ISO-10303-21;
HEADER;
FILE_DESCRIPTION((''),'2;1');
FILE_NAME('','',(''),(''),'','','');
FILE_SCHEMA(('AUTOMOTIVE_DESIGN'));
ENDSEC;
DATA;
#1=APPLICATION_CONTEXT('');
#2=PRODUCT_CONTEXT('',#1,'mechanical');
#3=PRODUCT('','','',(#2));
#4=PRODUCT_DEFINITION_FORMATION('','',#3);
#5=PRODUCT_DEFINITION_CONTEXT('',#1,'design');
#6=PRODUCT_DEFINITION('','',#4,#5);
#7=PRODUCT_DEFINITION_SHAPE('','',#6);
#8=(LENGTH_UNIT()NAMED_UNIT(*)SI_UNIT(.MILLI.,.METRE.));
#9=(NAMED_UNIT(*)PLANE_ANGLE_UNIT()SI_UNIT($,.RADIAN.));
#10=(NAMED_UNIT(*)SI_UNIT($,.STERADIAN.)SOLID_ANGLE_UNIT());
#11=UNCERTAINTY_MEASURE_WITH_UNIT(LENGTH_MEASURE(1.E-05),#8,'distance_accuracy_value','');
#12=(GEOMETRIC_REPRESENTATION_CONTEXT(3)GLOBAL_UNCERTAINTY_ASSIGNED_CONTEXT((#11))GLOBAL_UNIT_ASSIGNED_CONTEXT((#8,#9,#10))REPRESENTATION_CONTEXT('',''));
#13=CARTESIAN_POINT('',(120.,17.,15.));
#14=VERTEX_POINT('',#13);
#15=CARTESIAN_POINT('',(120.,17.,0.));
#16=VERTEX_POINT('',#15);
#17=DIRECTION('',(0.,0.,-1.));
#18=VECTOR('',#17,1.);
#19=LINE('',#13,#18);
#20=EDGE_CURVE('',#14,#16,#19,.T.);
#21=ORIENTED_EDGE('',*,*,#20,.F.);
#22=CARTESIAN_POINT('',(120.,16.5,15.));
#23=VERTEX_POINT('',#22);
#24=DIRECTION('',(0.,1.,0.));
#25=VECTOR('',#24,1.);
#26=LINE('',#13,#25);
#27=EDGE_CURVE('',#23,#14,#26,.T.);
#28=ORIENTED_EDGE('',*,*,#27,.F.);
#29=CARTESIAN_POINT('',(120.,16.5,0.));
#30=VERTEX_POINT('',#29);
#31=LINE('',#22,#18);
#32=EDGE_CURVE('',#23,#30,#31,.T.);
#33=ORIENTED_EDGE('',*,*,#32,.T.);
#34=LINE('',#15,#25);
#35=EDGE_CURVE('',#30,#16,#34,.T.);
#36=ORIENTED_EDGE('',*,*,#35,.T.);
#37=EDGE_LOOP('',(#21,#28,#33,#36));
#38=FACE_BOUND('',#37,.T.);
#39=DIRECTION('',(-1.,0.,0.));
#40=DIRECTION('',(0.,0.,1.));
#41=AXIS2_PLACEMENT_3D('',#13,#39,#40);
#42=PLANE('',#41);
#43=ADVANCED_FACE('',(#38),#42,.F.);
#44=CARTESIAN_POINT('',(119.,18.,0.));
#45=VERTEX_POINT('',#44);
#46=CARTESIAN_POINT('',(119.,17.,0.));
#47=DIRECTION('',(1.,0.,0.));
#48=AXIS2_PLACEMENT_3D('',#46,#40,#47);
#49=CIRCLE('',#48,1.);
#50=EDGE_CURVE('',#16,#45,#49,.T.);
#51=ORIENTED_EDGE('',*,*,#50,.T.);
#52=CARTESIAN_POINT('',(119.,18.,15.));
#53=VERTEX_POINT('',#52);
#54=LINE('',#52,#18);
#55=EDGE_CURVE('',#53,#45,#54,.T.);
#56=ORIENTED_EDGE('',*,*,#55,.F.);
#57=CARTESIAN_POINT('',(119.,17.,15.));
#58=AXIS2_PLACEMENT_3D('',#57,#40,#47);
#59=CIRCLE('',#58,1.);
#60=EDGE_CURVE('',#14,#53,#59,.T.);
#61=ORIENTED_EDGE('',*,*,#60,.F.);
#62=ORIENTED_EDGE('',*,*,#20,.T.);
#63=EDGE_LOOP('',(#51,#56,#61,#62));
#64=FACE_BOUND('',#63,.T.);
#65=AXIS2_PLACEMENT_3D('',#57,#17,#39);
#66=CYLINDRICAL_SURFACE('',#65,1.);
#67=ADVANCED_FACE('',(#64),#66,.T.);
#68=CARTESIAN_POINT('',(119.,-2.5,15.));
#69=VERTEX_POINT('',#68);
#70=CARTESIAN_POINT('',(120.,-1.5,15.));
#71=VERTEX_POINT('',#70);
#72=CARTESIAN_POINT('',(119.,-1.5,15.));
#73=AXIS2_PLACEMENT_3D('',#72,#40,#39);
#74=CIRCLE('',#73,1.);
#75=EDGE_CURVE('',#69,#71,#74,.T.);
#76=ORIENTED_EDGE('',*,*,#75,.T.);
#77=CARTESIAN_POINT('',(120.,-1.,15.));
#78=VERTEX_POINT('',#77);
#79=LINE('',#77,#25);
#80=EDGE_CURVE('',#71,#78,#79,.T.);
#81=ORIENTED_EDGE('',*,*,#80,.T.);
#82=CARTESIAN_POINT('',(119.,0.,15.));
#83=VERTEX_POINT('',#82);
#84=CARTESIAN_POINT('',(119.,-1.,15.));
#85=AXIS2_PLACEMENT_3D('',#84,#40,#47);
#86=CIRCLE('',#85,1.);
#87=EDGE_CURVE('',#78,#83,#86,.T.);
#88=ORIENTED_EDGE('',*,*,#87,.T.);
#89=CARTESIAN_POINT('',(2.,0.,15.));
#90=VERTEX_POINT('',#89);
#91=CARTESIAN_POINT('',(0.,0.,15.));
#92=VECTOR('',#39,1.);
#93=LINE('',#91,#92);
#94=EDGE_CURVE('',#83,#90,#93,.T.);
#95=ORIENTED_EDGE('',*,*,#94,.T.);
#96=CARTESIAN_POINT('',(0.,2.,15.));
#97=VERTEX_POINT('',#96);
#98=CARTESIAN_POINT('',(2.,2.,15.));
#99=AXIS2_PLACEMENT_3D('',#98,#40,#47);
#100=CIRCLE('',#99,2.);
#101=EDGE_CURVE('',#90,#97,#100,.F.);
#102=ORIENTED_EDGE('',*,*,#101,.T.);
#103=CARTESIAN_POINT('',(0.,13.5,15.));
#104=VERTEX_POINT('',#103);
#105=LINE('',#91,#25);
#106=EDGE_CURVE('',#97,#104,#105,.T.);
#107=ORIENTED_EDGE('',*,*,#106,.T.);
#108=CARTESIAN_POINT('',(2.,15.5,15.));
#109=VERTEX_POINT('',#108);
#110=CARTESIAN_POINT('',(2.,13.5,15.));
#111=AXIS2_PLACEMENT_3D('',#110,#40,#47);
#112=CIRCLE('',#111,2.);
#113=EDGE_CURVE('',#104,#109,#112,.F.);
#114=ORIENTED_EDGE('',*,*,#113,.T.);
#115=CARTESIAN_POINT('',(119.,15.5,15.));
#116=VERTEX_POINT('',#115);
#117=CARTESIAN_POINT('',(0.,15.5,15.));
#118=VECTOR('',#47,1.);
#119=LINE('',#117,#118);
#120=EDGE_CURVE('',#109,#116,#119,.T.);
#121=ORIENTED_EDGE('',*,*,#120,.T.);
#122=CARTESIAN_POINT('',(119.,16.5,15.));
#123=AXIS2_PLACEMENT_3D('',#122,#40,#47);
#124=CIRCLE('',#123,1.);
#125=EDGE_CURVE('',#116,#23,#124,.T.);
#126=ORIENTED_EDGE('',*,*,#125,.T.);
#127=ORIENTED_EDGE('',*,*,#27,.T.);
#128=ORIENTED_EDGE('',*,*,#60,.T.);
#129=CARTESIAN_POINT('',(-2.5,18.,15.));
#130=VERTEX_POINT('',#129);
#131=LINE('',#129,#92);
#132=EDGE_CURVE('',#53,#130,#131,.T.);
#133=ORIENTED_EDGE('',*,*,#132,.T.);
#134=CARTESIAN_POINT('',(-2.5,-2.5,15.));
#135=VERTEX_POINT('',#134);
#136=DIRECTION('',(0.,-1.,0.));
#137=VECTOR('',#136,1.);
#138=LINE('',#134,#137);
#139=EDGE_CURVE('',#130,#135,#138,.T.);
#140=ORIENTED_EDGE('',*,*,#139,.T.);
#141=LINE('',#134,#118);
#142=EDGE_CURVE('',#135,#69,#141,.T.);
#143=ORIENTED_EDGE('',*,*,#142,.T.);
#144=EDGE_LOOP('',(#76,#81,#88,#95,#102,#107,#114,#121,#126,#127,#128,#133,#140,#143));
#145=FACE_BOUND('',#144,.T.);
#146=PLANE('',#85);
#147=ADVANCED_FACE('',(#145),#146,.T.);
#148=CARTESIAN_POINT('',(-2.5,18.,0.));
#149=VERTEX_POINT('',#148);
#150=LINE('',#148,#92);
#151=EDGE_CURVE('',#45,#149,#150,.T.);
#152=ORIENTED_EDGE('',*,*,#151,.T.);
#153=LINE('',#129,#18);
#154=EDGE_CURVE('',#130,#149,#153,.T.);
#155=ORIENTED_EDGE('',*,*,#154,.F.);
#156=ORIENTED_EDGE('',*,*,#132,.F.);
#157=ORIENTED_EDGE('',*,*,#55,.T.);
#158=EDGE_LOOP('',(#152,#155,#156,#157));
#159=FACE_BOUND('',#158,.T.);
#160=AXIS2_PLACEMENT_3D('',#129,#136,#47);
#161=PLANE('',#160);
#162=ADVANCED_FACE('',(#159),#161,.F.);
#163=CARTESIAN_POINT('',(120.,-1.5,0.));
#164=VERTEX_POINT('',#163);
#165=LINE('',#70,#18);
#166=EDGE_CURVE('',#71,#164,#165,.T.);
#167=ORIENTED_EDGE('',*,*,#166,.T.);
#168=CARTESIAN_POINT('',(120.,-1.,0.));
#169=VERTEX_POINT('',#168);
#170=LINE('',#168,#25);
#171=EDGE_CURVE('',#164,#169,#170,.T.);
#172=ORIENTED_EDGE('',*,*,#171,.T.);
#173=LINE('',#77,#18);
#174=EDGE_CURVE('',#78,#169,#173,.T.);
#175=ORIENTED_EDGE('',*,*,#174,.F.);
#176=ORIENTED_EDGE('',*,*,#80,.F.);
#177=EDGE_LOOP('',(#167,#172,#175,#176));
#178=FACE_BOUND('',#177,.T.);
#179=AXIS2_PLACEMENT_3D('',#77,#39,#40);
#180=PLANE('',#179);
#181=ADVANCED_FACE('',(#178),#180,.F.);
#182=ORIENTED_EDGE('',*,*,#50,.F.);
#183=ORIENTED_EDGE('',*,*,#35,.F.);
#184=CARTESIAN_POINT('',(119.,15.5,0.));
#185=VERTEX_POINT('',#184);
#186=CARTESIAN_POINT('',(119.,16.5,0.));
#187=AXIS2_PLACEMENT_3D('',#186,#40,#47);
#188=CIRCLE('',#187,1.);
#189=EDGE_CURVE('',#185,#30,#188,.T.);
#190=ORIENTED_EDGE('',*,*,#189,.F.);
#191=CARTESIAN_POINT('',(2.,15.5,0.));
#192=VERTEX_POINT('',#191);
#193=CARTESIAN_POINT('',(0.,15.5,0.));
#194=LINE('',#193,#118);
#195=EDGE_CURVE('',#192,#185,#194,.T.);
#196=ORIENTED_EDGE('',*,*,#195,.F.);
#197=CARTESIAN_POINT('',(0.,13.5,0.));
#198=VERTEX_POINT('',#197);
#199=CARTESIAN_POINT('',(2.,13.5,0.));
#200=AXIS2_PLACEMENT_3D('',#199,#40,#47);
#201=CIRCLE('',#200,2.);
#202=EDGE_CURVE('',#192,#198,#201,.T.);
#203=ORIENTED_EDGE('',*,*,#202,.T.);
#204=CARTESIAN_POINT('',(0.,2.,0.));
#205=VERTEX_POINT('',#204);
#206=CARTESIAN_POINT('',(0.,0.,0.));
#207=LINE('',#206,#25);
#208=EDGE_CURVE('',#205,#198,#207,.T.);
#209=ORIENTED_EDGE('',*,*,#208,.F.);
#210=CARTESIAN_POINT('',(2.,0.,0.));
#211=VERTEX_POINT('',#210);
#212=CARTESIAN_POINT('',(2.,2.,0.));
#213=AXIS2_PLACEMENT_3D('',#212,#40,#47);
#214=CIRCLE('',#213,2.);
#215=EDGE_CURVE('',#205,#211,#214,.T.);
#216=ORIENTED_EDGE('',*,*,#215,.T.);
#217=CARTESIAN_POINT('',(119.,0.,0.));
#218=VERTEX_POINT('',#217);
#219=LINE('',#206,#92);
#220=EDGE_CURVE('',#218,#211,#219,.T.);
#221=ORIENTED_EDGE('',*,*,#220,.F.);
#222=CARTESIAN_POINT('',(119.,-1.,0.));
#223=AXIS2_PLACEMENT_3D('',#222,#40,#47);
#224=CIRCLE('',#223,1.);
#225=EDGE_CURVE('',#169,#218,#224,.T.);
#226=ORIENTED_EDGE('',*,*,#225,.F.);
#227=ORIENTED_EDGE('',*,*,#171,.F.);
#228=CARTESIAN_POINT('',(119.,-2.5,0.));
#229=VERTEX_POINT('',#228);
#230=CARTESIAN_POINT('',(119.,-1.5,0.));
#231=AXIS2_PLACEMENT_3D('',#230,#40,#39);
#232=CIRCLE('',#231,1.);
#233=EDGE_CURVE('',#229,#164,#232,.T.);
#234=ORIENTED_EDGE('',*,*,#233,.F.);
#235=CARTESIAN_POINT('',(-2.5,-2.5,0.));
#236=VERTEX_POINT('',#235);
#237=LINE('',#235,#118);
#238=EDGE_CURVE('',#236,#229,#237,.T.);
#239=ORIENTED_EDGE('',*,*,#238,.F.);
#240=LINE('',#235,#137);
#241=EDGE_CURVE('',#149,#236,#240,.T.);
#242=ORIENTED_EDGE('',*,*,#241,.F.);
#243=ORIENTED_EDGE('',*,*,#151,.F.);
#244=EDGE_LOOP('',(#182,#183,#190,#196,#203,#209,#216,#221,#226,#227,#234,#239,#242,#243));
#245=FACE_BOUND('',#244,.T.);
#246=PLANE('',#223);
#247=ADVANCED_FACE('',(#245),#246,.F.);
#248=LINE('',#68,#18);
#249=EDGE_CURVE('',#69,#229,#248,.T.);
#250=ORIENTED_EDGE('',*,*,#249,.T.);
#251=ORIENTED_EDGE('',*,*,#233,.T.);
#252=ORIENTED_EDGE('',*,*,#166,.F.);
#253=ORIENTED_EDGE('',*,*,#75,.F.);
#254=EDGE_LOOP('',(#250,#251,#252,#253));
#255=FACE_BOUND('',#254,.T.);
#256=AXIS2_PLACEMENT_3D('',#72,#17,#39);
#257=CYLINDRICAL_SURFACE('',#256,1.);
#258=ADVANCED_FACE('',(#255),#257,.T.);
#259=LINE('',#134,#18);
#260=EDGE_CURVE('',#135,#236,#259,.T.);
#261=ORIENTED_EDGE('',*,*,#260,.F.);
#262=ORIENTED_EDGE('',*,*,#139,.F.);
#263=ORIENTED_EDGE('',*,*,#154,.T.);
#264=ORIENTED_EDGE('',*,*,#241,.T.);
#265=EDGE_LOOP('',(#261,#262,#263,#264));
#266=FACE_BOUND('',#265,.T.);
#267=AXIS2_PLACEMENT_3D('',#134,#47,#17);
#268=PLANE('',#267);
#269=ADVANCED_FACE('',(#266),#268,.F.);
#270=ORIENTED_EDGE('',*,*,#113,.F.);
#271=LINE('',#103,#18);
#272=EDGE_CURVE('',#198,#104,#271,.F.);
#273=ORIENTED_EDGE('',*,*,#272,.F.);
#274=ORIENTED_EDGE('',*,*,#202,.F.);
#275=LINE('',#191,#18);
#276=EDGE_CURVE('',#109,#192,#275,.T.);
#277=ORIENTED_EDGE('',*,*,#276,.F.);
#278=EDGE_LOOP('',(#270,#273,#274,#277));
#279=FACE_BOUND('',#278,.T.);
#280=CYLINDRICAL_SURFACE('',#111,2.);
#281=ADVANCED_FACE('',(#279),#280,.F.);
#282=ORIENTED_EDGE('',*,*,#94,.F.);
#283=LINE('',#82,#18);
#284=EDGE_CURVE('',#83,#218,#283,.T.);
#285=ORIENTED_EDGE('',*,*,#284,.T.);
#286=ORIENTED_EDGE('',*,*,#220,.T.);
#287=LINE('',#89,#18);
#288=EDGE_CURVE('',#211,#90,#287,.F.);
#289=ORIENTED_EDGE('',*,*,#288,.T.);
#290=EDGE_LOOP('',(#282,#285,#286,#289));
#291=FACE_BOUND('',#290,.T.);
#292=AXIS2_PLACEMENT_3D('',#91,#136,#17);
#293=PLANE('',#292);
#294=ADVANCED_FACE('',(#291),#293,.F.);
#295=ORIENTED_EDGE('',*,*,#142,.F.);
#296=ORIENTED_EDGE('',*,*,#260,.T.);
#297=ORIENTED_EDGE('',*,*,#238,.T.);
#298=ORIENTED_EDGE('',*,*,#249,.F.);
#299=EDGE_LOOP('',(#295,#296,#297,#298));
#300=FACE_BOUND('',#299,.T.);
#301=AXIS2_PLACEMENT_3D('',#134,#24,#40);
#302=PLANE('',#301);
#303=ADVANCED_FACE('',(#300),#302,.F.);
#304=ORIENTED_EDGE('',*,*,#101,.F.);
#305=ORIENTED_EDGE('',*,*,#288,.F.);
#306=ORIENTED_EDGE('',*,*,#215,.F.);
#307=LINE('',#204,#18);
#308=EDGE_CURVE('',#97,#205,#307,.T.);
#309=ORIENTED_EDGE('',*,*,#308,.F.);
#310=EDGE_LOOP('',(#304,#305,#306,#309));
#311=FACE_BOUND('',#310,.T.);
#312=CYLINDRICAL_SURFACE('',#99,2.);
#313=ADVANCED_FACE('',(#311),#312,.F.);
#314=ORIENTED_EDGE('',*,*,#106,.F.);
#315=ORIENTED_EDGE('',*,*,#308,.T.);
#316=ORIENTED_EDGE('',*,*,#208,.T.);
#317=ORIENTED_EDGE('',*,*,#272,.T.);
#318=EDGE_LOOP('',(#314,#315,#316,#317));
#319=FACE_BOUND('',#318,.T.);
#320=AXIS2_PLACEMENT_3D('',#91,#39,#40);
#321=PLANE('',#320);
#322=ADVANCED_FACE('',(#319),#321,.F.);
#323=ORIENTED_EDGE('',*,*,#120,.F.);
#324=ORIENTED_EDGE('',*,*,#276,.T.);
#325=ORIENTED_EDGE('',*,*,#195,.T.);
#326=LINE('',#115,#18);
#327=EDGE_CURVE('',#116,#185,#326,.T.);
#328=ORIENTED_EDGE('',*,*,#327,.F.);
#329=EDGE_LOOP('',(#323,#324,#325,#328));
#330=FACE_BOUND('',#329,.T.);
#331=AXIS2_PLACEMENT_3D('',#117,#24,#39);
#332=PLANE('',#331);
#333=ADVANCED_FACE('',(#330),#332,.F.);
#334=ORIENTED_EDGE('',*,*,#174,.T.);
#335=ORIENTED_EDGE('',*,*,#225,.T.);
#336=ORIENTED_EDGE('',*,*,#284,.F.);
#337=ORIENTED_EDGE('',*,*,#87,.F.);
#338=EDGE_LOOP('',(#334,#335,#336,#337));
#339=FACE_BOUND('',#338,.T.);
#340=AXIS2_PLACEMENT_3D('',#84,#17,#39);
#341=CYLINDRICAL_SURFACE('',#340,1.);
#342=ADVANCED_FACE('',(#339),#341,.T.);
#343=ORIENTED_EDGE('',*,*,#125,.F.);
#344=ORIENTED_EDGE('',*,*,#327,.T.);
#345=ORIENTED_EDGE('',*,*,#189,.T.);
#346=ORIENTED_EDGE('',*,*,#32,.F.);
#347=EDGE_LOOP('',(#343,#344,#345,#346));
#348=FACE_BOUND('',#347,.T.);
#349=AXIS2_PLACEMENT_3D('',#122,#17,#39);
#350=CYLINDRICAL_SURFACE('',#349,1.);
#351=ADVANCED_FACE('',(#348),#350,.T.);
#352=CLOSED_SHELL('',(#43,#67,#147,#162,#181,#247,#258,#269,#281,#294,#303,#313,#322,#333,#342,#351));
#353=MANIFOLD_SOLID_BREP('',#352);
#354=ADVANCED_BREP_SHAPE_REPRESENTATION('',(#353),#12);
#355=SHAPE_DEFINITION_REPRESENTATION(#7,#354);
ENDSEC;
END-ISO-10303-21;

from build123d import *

# Parameters (mm, degrees)
BOSS_EXTRUDE1_DEPTH = 15
FILLET1_R           = 2


with BuildPart() as part:
    # Sketch1 → Boss-Extrude1 (new body)
    with BuildSketch(Plane.XY):
        with BuildLine():
            Line((0, 0), (0, 15.5))
            Line((0, 15.5), (119, 15.5))
            ThreePointArc((119, 15.5), (119.707106781, 15.792893219), (120, 16.5))
            Line((120, 16.5), (120, 17))
            ThreePointArc((120, 17), (119.707106781, 17.707106781), (119, 18))
            Line((119, 18), (-2.5, 18))
            Line((-2.5, 18), (-2.5, -2.5))
            Line((-2.5, -2.5), (119, -2.5))
            ThreePointArc((119, -2.5), (119.707106781, -2.207106781), (120, -1.5))
            Line((120, -1.5), (120, -1))
            ThreePointArc((120, -1), (119.707106781, -0.292893219), (119, 0))
            Line((119, 0), (0, 0))
        make_face()
    extrude(amount=BOSS_EXTRUDE1_DEPTH)

    # Fillet1
    fillet1_edges = [part.edges().sort_by_distance(p)[0] for p in [
        (0, 15.5, 7.5),
        (0, 0, 7.5),
    ]]
    fillet(fillet1_edges, radius=FILLET1_R)


solid = part.part
